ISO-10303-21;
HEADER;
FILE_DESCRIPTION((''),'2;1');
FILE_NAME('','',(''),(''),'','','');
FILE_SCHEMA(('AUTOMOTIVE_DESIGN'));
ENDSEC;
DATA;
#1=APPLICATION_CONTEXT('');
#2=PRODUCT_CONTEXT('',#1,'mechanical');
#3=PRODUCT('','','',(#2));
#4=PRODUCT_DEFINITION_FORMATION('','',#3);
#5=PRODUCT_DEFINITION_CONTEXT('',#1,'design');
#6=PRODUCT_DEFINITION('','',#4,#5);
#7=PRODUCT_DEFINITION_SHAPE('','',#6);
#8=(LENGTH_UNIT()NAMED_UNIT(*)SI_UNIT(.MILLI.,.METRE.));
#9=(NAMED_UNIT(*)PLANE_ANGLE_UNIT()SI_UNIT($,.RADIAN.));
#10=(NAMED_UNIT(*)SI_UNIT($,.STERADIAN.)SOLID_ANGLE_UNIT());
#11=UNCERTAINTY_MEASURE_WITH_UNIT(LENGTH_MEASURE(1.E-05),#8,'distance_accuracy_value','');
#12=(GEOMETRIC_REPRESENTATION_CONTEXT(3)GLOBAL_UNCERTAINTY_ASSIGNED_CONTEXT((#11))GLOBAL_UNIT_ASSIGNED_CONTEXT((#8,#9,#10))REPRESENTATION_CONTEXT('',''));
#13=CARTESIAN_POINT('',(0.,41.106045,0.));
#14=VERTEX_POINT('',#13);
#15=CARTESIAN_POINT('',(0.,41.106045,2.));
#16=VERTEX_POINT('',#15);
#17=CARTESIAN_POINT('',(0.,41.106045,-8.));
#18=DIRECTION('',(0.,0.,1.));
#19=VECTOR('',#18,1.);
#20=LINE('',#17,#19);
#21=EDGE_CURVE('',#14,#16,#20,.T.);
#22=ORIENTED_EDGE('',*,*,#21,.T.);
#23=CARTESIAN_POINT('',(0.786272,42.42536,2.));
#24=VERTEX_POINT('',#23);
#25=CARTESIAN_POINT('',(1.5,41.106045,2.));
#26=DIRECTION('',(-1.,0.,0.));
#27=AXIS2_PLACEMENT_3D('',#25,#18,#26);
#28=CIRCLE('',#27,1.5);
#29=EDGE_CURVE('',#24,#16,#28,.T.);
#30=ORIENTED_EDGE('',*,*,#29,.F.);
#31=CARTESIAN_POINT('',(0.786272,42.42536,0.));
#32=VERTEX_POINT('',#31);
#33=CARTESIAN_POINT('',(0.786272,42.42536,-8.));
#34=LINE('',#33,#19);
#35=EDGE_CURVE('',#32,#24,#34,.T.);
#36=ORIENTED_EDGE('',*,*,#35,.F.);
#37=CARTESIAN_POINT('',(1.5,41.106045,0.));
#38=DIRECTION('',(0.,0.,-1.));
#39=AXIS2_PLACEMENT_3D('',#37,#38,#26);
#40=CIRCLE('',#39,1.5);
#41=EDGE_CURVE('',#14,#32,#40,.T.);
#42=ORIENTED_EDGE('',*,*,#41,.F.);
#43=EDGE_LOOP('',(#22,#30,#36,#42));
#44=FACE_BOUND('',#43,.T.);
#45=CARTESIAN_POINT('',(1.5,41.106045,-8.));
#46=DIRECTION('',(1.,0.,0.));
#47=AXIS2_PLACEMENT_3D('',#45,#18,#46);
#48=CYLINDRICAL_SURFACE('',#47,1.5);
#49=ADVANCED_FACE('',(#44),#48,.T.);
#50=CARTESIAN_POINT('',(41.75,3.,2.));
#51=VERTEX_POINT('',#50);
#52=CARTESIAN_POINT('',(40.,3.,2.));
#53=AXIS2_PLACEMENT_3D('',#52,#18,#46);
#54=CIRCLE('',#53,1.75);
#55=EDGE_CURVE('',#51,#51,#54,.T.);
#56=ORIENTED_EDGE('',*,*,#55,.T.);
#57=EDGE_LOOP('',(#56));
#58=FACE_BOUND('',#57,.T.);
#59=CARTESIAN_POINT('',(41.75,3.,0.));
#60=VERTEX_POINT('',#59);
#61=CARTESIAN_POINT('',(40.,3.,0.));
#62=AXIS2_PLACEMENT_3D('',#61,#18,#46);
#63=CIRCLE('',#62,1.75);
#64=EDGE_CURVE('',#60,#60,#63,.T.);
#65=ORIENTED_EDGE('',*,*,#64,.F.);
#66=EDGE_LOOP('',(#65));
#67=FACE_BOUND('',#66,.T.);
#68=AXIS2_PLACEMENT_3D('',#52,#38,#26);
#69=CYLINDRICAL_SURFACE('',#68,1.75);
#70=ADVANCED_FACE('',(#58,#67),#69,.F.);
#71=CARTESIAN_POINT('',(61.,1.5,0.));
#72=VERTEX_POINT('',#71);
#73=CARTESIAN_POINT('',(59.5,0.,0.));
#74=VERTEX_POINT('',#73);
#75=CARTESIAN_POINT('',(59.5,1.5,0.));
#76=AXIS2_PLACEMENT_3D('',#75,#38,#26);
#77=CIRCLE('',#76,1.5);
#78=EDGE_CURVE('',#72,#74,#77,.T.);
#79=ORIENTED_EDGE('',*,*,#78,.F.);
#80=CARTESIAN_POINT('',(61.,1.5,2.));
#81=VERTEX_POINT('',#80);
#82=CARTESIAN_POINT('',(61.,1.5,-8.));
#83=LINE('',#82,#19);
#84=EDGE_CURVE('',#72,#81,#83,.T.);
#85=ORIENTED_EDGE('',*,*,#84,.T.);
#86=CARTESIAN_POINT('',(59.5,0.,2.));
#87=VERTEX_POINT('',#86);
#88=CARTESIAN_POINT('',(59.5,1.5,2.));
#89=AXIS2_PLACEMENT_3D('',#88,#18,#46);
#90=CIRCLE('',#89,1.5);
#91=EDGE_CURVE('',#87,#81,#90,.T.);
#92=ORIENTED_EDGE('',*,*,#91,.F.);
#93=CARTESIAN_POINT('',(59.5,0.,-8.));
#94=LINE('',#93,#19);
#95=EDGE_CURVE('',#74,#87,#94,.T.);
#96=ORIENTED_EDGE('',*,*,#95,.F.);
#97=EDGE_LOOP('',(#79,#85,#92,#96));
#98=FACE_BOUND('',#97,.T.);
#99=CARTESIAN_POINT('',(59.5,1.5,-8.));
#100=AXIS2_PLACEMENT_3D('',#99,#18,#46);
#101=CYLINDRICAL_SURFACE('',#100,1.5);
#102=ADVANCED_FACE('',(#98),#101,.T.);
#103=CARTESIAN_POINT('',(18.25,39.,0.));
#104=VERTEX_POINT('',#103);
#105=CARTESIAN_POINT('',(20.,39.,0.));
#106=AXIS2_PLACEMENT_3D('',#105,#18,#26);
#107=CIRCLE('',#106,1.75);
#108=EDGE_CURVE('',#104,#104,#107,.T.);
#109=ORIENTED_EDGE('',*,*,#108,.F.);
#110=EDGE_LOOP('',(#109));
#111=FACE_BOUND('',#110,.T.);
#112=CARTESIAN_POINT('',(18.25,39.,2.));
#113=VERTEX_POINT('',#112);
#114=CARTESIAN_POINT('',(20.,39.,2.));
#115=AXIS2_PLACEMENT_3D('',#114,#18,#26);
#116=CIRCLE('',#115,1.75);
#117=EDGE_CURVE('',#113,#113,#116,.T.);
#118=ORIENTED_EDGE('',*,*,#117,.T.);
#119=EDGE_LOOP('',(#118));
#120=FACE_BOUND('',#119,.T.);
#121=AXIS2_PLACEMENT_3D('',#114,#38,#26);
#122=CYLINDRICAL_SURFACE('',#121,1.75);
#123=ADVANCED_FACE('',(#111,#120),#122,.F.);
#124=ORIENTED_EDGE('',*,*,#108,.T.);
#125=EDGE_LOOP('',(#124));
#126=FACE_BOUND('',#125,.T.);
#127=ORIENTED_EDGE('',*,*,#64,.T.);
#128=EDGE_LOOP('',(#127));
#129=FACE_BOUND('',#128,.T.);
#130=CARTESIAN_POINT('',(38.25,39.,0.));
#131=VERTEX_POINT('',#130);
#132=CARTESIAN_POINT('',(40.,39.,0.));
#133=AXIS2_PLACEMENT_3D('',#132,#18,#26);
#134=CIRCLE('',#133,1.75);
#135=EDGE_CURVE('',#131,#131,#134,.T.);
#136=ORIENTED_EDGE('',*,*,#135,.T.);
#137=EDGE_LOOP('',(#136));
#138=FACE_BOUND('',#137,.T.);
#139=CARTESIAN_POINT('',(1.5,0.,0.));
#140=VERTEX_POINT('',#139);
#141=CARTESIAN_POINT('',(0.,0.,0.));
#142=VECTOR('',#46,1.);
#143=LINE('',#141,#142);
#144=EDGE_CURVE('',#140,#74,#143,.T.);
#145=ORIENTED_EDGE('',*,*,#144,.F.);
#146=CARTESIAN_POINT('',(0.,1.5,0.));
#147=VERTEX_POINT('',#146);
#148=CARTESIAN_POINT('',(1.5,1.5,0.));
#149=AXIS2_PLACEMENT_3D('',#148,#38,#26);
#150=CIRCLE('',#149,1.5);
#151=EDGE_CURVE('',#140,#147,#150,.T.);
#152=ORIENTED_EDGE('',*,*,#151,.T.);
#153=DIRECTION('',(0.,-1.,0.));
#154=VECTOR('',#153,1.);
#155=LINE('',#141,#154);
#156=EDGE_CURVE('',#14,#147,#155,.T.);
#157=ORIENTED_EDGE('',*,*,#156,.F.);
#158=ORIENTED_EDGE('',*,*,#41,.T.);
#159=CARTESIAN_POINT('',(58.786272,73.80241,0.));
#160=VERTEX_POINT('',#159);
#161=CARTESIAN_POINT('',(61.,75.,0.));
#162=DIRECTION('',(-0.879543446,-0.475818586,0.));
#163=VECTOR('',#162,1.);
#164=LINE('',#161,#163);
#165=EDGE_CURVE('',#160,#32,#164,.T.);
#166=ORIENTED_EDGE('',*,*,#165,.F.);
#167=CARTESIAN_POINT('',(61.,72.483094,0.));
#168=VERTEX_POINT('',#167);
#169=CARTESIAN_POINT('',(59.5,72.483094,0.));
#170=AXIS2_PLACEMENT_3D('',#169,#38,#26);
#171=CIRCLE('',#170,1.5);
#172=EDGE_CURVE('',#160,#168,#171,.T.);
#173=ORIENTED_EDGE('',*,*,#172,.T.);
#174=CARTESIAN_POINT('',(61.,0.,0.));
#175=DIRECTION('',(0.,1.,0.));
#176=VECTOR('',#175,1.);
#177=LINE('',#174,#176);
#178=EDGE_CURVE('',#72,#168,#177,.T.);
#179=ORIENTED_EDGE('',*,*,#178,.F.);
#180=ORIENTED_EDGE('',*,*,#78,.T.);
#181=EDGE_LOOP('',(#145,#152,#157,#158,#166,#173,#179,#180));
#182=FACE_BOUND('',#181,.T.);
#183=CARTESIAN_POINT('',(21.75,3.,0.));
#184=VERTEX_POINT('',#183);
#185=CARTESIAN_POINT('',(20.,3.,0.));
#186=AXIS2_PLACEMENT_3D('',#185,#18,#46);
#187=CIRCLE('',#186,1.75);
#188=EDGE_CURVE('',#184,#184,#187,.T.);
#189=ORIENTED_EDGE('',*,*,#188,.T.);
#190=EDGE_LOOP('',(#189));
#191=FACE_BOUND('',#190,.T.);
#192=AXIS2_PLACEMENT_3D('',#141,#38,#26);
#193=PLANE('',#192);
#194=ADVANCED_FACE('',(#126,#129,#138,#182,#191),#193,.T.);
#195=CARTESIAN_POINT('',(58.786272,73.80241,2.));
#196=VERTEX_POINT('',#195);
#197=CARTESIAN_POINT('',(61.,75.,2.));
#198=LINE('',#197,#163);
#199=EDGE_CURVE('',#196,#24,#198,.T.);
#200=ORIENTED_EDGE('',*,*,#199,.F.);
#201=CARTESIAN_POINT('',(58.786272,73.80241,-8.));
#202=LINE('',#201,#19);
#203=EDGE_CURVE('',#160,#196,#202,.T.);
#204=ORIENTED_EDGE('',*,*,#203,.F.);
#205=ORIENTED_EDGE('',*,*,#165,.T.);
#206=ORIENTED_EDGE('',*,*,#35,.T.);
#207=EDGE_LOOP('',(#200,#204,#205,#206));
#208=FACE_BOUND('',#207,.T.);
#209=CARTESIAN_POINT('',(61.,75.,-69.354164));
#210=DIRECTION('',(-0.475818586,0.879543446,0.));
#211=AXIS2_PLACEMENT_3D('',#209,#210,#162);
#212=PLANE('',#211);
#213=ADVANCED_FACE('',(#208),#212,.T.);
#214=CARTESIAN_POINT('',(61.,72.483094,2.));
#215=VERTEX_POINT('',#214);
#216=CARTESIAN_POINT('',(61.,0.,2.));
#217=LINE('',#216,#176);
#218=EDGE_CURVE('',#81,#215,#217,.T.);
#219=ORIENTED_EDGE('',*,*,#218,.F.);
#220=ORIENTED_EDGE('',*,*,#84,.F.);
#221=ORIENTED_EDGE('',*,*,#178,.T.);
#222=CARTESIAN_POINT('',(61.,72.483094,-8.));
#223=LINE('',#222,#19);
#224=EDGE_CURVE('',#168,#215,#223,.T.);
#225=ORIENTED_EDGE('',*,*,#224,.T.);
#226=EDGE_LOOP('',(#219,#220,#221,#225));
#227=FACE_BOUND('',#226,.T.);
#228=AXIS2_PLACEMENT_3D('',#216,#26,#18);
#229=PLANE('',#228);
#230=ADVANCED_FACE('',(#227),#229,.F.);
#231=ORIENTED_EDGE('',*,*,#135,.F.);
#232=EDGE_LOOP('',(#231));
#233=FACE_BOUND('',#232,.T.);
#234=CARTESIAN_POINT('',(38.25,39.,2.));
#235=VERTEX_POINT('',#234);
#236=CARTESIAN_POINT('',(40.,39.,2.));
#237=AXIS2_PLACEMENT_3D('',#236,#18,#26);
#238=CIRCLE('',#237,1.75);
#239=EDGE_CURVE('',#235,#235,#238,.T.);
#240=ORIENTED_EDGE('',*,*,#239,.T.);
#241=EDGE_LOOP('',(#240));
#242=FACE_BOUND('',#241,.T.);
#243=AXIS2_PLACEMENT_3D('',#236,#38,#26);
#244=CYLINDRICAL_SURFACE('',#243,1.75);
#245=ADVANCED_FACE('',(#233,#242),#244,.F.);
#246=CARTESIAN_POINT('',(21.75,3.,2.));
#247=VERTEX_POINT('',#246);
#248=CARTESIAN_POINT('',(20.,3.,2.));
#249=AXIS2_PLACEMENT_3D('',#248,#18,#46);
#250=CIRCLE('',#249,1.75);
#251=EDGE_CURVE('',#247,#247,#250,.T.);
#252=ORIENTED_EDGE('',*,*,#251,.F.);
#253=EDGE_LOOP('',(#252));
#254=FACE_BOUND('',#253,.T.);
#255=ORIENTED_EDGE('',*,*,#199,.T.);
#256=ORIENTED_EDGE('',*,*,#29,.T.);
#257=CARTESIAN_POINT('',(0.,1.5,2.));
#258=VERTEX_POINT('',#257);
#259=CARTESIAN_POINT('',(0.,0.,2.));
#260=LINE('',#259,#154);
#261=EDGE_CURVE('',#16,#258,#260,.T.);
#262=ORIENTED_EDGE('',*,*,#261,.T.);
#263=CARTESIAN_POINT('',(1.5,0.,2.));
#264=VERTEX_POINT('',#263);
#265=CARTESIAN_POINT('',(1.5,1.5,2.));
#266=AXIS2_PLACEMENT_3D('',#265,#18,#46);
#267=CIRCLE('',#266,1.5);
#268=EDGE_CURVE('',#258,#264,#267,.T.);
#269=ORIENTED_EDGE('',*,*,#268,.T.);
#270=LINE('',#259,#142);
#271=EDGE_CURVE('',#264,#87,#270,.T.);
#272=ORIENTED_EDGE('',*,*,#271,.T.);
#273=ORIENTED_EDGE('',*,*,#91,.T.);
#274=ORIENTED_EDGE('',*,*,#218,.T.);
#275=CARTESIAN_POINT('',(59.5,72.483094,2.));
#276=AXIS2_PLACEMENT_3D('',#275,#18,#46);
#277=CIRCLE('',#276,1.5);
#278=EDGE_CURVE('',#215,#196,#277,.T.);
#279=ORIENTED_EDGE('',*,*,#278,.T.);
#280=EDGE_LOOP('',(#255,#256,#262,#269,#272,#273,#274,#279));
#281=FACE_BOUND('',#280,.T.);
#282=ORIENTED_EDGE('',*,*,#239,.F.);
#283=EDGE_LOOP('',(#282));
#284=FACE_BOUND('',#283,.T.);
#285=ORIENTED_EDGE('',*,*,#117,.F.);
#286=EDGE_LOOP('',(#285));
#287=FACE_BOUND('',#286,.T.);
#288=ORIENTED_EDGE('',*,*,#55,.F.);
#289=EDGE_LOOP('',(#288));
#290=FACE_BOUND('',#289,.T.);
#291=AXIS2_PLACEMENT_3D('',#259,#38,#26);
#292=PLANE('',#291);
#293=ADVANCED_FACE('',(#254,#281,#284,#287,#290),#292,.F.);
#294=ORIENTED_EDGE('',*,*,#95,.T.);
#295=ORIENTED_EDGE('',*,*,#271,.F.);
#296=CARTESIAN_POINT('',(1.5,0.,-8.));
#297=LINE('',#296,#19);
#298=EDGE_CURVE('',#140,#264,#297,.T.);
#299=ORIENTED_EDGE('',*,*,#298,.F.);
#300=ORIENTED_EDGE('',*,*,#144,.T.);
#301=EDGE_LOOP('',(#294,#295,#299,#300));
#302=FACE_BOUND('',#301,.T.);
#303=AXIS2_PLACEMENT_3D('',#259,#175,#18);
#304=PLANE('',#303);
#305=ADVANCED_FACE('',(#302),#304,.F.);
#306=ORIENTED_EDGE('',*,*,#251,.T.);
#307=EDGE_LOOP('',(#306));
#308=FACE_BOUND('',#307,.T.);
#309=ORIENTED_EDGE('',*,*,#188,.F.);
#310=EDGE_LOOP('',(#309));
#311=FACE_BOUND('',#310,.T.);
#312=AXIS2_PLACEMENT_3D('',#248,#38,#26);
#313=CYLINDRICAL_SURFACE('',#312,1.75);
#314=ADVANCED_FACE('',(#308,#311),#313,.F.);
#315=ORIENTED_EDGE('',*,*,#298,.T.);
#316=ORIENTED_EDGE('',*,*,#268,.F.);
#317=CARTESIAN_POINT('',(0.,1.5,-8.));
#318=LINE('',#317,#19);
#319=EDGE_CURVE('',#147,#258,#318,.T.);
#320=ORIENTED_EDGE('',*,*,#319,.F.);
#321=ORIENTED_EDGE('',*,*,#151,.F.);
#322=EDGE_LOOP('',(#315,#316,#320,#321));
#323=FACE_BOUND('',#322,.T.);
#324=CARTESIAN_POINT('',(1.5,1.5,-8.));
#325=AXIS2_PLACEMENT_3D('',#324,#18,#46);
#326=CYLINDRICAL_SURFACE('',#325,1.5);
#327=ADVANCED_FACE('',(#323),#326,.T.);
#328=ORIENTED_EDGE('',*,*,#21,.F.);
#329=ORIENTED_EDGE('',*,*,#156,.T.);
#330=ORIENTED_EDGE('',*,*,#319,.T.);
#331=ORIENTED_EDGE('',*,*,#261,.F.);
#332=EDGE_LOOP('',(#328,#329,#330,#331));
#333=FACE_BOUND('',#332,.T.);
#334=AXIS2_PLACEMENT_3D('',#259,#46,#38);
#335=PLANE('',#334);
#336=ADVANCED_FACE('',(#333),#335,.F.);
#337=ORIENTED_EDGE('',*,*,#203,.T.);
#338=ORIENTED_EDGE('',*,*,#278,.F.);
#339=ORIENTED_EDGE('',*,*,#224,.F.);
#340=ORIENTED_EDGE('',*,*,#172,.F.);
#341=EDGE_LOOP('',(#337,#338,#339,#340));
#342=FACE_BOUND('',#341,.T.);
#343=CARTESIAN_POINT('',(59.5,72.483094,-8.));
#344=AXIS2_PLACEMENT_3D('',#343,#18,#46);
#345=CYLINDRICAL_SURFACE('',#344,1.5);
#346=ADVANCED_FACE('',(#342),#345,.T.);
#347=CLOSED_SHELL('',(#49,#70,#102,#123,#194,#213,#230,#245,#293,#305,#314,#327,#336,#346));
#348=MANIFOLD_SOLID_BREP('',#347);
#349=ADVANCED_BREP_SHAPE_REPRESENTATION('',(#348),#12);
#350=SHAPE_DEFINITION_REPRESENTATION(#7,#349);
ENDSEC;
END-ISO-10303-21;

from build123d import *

# Parameters (mm, degrees)
SKETCH_1_W          = 61
SKETCH_1_H          = 42
SKETCH_1_R          = 1.75
EXTRUDE_1_DEPTH     = 2
EXTRUDE_2_DEPTH     = 2
SKETCH_3_OUTSIDE_W  = 82.34
SKETCH_3_OUTSIDE_H  = 96.34
CUT_EXTRUDE_1_DEPTH = 10


with BuildPart() as part:
    # 草图1 → 凸台-拉伸1 (new body)
    with BuildSketch(Plane.XY):
        with Locations((30.5, 21)):
            Rectangle(SKETCH_1_W, SKETCH_1_H)
        with Locations((20, 3)):
            Circle(SKETCH_1_R, mode=Mode.SUBTRACT)
        with Locations((40, 3)):
            Circle(SKETCH_1_R, mode=Mode.SUBTRACT)
        with Locations(Location((40, 39, 0), (0, 0, 180))):
            Circle(SKETCH_1_R, mode=Mode.SUBTRACT)
        with Locations(Location((20, 39, 0), (0, 0, 180))):
            Circle(SKETCH_1_R, mode=Mode.SUBTRACT)
    extrude(amount=EXTRUDE_1_DEPTH)

    # 草图2 → 凸台-拉伸2 (add)
    with BuildSketch(Plane.XY.offset(2)):
        Polygon((61, 75), (0, 42), (61, 42), align=None)
    extrude(amount=-EXTRUDE_2_DEPTH)

    # 草图3 outside → 切除-拉伸1 (cut)
    with BuildSketch(Plane.XY.offset(2)):
        with Locations((30.5, 37.5)):
            Rectangle(SKETCH_3_OUTSIDE_W, SKETCH_3_OUTSIDE_H)
        with BuildLine():
            Line((0, 41.106045159), (0, 1.5))
            ThreePointArc((0, 1.5), (0.439339828, 0.439339828), (1.5, 0))
            Line((1.5, 0), (59.5, 0))
            ThreePointArc((59.5, 0), (60.560660172, 0.439339828), (61, 1.5))
            Line((61, 1.5), (61, 72.483094339))
            ThreePointArc((61, 72.483094339), (60.26792193, 73.771619042), (58.786272122, 73.802409508))
            Line((58.786272122, 73.802409508), (0.786272122, 42.425360328))
            ThreePointArc((0.786272122, 42.425360328), (0.211475298, 41.873967089), (0, 41.106045159))
        make_face(mode=Mode.SUBTRACT)
    extrude(amount=-CUT_EXTRUDE_1_DEPTH, mode=Mode.SUBTRACT)


solid = part.part
